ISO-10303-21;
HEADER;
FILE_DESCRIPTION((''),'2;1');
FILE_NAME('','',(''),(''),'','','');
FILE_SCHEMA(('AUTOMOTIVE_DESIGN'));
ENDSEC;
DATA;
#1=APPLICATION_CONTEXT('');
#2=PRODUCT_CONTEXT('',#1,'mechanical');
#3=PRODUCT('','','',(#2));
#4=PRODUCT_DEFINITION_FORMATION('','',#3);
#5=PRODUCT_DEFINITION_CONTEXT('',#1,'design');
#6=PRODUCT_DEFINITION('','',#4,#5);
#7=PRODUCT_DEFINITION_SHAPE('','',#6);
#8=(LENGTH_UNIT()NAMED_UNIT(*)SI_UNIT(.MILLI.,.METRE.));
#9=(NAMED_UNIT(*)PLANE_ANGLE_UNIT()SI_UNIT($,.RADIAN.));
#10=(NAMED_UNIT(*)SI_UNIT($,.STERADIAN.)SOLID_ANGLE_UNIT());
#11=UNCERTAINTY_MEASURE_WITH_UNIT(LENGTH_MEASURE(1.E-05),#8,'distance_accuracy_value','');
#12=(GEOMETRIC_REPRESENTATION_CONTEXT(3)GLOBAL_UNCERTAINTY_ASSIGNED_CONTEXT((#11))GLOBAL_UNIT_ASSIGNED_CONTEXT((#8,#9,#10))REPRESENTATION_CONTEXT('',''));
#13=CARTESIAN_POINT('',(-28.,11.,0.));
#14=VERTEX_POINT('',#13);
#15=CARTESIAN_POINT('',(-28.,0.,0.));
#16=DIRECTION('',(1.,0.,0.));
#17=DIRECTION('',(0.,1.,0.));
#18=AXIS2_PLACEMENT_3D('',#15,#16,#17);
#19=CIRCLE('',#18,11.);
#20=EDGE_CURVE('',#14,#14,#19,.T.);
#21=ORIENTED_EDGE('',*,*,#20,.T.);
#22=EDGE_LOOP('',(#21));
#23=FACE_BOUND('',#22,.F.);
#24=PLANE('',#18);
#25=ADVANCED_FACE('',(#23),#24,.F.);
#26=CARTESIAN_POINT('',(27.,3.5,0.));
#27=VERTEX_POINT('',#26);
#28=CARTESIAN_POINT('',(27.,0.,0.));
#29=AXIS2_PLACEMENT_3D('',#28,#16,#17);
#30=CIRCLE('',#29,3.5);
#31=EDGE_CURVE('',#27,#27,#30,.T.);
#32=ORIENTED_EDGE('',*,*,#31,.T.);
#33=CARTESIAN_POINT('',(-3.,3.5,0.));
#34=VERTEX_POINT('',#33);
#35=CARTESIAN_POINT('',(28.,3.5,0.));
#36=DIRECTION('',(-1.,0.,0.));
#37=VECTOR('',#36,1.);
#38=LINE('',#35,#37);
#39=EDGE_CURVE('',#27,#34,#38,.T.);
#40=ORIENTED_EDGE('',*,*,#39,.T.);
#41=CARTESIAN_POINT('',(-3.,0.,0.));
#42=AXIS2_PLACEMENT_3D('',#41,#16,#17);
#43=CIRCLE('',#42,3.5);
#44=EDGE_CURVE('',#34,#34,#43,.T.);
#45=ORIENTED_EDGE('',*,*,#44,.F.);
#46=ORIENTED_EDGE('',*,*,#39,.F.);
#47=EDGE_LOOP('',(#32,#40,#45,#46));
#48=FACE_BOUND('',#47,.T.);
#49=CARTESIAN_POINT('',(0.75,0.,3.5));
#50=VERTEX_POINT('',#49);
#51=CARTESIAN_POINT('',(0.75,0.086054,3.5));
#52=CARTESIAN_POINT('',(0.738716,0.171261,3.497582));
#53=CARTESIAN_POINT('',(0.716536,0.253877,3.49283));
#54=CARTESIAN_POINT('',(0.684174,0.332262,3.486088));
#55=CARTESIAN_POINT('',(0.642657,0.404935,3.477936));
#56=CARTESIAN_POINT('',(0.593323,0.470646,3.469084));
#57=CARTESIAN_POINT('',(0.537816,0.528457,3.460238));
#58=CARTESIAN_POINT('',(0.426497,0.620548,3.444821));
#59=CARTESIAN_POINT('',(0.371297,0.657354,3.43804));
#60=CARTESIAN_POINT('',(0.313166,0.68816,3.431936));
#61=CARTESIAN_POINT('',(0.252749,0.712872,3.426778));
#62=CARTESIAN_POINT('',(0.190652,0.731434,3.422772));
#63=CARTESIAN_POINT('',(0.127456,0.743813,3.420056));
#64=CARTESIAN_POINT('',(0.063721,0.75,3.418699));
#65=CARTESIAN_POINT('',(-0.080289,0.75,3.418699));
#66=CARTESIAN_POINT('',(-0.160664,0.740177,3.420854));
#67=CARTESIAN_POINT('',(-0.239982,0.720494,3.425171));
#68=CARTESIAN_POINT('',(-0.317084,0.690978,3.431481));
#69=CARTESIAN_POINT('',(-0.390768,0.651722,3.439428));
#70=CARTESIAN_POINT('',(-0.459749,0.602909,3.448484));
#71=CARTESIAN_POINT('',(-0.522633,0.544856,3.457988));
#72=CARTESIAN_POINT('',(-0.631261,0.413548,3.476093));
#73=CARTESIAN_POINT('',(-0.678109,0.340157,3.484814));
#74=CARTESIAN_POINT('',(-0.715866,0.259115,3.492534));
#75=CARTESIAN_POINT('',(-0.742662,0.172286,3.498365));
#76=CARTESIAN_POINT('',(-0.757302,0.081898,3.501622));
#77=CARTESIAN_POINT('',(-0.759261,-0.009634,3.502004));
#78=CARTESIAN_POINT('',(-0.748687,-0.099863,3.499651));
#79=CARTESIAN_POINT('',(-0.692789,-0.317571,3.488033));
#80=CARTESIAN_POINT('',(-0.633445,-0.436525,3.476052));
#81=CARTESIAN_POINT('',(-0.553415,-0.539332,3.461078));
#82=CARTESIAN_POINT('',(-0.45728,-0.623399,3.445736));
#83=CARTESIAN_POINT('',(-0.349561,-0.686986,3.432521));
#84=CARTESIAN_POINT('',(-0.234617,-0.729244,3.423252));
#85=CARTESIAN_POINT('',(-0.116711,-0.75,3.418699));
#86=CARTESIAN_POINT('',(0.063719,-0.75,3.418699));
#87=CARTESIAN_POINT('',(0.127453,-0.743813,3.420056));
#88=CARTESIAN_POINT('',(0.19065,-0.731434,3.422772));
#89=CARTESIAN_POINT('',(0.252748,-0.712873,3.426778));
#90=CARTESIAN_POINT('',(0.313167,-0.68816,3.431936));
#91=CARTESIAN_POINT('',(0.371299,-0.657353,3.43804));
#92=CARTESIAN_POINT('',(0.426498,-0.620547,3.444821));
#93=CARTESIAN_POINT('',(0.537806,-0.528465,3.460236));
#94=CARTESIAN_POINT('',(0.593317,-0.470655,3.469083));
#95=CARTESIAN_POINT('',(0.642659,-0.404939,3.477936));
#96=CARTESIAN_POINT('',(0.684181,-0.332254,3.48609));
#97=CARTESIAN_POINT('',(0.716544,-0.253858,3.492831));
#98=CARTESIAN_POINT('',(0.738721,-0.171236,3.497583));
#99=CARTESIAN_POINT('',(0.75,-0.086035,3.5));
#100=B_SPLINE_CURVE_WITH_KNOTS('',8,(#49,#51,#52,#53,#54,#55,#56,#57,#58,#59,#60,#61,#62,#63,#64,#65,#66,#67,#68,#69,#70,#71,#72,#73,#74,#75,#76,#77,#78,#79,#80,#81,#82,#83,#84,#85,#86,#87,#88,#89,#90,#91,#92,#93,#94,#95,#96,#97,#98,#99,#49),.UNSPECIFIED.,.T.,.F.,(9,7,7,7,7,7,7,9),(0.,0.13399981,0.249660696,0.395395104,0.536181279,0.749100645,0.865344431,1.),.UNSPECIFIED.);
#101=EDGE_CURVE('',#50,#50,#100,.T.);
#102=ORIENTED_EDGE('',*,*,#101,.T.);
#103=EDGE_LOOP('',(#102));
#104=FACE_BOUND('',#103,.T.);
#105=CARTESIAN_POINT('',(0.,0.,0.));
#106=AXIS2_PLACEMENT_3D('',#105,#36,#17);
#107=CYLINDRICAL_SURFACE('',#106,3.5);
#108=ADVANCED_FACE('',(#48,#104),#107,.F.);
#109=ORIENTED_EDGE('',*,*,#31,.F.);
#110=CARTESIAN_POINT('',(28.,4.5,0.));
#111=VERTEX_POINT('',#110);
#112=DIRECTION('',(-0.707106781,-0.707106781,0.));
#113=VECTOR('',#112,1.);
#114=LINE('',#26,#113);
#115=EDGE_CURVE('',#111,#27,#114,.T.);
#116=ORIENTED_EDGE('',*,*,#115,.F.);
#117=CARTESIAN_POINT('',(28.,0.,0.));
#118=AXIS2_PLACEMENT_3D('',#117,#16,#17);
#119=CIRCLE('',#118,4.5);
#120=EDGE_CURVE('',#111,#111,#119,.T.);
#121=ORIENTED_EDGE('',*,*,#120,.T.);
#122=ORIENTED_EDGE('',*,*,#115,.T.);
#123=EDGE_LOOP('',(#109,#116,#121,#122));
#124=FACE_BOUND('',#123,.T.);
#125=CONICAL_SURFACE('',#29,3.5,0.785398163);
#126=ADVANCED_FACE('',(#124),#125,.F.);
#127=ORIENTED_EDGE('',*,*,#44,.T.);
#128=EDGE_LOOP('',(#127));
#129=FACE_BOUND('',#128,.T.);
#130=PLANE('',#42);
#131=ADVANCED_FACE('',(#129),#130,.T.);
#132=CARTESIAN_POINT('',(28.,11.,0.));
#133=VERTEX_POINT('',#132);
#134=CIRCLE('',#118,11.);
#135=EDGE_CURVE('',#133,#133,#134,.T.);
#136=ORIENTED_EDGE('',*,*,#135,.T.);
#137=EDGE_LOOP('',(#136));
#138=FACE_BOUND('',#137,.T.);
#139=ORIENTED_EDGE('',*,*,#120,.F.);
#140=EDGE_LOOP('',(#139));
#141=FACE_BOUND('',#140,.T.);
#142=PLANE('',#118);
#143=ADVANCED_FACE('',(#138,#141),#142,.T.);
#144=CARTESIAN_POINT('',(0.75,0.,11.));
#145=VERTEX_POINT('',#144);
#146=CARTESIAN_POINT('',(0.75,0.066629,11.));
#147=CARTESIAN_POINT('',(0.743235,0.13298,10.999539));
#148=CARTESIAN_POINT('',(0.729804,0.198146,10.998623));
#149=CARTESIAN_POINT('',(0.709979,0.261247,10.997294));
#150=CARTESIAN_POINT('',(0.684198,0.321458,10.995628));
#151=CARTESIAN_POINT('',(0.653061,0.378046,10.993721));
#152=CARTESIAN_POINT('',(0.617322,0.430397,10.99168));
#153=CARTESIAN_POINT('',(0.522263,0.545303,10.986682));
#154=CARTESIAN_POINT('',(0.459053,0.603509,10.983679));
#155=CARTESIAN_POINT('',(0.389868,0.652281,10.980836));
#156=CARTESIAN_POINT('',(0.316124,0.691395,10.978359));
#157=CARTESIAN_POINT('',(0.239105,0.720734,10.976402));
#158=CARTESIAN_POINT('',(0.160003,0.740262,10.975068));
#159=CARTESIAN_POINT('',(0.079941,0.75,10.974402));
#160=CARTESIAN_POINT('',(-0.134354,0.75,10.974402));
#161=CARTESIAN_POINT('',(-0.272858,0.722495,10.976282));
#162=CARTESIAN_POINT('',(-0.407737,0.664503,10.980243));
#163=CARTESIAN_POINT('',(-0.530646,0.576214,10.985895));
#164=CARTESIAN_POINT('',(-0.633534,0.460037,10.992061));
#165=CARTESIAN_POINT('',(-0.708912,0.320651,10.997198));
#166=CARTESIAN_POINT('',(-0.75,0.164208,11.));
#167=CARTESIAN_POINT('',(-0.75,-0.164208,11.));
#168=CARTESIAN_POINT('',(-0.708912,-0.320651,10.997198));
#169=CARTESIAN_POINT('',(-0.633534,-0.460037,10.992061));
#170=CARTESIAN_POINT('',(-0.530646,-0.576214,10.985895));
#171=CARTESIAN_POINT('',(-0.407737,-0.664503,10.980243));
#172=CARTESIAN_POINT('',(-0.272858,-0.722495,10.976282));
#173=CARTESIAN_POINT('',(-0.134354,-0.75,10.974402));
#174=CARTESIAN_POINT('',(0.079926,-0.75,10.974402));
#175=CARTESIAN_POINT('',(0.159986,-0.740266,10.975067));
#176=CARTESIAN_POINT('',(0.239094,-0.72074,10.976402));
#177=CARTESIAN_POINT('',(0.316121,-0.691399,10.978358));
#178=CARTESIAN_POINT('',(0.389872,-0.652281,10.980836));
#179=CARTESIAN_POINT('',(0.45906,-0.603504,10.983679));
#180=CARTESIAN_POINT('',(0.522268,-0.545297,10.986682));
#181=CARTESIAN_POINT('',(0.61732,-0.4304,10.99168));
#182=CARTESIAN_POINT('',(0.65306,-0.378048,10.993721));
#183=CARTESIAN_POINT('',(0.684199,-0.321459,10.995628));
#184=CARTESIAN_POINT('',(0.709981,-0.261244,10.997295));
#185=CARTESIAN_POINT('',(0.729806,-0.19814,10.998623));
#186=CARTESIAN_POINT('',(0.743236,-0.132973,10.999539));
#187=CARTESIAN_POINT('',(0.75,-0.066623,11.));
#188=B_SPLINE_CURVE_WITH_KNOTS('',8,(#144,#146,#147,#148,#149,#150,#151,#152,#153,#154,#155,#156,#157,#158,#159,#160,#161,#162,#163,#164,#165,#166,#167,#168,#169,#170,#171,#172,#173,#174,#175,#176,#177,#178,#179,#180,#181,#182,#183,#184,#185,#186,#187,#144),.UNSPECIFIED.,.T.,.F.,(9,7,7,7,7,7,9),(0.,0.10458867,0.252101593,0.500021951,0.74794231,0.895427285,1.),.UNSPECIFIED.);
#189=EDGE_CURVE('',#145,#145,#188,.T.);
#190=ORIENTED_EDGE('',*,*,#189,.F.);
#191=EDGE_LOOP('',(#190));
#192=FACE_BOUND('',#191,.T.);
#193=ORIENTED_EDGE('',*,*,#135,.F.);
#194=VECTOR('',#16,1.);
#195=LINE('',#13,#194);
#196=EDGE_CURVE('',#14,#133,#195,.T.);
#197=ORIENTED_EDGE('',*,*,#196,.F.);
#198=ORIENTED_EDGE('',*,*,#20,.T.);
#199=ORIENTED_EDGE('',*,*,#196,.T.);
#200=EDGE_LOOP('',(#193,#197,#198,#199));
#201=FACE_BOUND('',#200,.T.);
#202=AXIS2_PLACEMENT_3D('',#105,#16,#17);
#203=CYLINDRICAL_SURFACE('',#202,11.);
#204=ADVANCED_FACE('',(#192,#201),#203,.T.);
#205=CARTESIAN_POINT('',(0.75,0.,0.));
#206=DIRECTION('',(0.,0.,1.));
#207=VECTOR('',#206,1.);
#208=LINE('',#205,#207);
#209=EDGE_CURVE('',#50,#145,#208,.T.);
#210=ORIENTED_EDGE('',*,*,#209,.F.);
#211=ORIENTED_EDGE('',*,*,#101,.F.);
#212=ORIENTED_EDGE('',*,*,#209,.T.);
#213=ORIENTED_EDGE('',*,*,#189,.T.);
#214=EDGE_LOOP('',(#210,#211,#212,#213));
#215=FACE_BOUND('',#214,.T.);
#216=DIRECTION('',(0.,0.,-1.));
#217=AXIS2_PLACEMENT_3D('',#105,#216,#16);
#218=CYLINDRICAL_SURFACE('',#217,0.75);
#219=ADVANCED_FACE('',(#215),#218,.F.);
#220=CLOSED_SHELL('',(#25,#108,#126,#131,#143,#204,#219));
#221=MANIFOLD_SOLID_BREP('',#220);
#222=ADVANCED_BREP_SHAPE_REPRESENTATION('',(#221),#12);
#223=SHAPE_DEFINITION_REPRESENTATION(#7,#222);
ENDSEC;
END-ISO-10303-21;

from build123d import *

# Parameters (mm, degrees)
F1_START = -3
F0_R     = 3.5
F1_DEPTH = 25
F0_R_2   = 11
F2_DEPTH = 28
F3_R     = 0.75
F4_DEPTH = 12.7
F5_SIZE  = 1


with BuildPart() as f1:
    # F0 (on Right) → F1 (new body)
    with BuildSketch(Plane.YZ.offset(F1_START)):
        Circle(F0_R)
    extrude(amount=-F1_DEPTH)

    # F0 (on Right) → F2 (join, symmetric)
    with BuildSketch(Plane.YZ):
        Circle(F0_R_2)
        Circle(F0_R, mode=Mode.SUBTRACT)
    extrude(amount=F2_DEPTH, both=True)

    # F3 (on Top) → F4 (cut)
    with BuildSketch(Plane.XY):
        Circle(F3_R)
    extrude(amount=F4_DEPTH, mode=Mode.SUBTRACT)

    # F5
    f5_edges = [f1.edges().sort_by_distance(p)[0] for p in [
        (28, -3.5, 0),
    ]]
    chamfer(f5_edges, length=F5_SIZE)


solid = f1.part
